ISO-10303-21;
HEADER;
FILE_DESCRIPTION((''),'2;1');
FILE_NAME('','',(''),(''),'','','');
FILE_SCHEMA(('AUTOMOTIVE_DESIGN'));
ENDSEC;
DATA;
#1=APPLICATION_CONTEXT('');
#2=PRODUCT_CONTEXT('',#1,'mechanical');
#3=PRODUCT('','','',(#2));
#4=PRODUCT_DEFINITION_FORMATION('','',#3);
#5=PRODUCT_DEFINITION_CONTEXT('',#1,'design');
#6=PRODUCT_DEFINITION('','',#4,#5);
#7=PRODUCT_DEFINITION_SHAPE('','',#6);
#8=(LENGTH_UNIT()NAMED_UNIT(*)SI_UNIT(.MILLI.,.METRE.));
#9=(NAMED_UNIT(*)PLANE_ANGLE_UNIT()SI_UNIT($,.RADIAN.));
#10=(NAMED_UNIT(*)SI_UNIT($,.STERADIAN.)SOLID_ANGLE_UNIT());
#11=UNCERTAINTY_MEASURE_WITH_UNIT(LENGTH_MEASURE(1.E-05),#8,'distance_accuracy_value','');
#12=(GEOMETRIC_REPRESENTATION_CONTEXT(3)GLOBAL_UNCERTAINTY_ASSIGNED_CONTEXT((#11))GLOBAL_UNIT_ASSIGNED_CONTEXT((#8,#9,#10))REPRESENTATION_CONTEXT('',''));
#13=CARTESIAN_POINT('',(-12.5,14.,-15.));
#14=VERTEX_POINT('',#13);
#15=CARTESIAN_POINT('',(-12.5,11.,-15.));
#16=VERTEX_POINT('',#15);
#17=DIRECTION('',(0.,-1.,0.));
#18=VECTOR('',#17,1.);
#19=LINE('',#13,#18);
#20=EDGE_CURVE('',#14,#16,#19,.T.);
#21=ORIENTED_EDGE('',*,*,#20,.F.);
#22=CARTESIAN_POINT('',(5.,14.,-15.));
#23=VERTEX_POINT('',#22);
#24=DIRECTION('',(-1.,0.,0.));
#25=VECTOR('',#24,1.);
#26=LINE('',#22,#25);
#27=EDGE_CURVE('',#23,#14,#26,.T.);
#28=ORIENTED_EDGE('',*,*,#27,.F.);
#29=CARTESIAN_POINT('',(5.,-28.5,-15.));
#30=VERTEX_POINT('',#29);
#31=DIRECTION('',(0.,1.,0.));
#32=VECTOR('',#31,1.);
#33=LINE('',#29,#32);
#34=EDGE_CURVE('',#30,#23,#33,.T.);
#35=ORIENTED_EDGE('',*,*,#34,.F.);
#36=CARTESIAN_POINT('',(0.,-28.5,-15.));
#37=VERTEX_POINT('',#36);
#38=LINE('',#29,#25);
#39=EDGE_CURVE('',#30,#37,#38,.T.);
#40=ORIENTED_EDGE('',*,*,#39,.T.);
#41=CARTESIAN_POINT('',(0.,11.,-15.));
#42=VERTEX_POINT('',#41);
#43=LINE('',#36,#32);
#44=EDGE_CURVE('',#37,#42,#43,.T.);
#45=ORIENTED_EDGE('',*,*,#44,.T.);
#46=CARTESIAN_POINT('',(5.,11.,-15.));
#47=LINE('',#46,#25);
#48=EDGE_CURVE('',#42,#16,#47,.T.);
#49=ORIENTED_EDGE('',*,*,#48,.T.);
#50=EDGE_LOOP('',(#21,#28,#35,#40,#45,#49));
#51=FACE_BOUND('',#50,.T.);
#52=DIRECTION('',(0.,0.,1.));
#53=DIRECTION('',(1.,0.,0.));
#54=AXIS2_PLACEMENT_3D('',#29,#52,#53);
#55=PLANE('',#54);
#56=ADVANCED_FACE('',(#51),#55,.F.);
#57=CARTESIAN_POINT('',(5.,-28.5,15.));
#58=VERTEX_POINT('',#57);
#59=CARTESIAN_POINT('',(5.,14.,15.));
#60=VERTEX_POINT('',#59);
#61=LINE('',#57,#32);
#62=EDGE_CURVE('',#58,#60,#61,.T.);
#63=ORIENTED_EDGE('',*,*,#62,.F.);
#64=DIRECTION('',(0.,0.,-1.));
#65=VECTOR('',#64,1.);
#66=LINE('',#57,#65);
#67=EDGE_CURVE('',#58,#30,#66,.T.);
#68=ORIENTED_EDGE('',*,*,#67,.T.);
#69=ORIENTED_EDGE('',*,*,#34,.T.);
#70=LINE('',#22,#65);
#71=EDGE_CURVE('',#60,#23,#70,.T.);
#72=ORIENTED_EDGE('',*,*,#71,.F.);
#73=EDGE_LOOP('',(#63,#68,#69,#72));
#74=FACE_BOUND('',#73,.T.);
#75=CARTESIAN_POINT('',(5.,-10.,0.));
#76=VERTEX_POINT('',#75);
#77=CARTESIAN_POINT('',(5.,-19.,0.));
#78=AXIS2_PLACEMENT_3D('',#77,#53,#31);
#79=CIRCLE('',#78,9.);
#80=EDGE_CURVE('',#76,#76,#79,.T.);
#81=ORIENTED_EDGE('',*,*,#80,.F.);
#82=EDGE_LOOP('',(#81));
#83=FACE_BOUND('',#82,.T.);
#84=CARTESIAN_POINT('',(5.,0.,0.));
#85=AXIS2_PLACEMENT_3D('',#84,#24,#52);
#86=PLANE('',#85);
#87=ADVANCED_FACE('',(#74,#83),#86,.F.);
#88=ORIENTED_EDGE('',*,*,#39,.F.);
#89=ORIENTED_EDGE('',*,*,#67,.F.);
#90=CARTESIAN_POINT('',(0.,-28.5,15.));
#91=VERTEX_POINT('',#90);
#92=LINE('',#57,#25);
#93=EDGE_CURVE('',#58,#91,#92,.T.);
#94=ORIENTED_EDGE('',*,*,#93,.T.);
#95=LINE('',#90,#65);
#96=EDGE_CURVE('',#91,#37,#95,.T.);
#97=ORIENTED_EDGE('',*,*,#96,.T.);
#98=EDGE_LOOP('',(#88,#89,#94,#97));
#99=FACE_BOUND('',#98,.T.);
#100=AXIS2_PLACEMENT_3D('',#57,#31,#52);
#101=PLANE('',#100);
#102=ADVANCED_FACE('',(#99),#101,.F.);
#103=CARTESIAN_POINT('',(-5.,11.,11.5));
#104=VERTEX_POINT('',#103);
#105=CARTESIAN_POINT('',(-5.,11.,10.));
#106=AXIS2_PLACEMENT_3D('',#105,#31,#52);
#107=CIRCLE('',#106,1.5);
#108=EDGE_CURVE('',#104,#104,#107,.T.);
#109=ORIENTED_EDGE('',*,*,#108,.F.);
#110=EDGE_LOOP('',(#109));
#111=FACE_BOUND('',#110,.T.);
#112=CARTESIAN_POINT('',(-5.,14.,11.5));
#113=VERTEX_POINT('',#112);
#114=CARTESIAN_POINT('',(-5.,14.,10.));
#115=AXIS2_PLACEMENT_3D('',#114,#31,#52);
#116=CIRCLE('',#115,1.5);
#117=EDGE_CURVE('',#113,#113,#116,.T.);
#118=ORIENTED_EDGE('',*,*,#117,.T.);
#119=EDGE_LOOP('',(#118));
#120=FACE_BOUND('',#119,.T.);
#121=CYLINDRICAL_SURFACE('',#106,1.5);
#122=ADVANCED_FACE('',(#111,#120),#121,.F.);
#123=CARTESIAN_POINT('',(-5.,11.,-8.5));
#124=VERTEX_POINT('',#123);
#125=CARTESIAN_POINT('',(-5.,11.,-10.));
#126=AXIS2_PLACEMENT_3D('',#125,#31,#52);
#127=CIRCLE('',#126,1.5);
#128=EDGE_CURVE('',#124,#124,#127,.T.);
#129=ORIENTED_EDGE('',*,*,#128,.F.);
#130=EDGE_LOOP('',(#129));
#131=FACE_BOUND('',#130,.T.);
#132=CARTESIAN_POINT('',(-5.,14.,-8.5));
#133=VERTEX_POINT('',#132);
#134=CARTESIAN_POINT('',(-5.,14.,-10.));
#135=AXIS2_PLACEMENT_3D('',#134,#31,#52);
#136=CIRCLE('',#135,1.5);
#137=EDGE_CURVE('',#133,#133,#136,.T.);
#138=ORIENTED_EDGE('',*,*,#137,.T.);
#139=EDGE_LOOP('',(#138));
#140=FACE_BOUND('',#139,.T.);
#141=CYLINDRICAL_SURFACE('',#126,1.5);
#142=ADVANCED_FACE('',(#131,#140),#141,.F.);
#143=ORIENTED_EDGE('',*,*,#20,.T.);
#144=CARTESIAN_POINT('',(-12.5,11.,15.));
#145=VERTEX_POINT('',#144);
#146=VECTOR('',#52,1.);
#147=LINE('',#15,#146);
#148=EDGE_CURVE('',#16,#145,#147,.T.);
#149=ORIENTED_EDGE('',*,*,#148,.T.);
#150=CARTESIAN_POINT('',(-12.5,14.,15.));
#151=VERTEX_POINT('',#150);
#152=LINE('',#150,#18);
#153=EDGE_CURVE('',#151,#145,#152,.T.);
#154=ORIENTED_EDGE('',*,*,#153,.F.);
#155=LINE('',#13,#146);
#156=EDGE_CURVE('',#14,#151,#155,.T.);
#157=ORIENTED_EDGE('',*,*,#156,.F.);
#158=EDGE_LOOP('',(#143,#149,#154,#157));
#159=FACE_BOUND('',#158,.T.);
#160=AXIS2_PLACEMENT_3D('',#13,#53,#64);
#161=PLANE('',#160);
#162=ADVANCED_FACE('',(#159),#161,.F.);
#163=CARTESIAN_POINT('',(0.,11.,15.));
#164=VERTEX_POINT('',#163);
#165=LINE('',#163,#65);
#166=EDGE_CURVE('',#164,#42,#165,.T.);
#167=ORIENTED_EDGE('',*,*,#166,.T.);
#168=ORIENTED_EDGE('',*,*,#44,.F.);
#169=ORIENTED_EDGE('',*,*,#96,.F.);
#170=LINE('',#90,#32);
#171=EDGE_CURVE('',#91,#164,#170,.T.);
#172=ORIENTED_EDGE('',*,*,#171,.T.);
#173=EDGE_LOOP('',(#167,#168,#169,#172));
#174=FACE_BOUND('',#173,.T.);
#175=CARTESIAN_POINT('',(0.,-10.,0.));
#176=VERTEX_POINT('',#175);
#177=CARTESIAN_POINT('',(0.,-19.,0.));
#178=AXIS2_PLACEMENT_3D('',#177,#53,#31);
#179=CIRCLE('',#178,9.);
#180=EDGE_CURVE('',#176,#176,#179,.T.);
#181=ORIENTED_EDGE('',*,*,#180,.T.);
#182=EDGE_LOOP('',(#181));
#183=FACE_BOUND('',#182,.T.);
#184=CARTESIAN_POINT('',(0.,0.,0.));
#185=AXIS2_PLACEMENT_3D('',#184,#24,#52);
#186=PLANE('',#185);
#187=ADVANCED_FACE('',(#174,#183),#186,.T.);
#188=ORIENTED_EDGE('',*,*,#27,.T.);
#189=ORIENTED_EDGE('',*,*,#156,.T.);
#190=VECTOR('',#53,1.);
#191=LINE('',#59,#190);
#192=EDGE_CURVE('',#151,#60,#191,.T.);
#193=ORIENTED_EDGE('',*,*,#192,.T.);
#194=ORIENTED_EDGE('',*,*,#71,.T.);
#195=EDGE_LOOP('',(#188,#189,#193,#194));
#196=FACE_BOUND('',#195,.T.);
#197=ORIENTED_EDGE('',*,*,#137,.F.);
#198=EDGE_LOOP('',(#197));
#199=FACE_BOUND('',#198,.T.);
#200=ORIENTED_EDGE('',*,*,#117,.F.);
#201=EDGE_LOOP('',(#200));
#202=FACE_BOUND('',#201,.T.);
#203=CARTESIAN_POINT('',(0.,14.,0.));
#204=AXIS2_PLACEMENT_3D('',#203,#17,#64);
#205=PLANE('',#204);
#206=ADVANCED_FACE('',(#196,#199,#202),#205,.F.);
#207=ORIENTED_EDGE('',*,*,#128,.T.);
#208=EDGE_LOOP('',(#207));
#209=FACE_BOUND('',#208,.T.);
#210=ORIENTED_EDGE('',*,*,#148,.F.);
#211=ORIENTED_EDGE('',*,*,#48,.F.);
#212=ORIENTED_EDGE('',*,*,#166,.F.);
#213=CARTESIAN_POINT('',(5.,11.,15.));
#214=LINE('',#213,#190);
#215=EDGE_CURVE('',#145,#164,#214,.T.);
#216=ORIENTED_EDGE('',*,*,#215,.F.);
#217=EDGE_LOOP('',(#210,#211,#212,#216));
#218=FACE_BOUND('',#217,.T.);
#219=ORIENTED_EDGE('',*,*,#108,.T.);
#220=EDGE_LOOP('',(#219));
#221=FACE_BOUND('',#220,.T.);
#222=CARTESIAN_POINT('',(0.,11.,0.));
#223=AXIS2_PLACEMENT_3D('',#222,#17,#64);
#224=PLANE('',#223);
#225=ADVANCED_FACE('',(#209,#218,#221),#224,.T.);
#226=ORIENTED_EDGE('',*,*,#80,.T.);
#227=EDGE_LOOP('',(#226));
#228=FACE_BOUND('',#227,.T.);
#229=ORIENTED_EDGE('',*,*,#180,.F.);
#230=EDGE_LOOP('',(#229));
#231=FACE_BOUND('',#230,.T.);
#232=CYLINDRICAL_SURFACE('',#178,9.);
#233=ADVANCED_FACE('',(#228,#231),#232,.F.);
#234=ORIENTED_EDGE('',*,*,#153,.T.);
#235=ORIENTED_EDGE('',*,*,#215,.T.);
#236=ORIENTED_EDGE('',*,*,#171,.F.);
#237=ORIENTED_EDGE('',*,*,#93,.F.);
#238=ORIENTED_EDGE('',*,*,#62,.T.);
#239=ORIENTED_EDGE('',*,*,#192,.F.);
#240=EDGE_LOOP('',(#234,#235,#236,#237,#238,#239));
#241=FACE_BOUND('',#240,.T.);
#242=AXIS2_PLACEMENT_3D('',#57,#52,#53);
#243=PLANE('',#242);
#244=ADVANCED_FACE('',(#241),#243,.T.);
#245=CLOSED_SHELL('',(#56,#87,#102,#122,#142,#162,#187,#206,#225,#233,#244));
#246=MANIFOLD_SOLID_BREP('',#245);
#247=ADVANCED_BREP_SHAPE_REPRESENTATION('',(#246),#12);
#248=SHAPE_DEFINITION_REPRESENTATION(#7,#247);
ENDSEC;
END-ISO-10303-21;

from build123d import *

# Parameters (mm, degrees)
SKETCH_1_W          = 30
SKETCH_1_H          = 39.5
EXTRUDE_1_DEPTH     = 5
SKETCH_2_R          = 9
CUT_EXTRUDE_1_DEPTH = 5
SKETCH_3_W          = 17.5
SKETCH_3_H          = 30
EXTRUDE_2_DEPTH     = 3
SKETCH_6_R          = 1.5
CUT_EXTRUDE_2_DEPTH = 3


with BuildPart() as part:
    # 草图1 → 凸台-拉伸1 (new body)
    with BuildSketch(Plane(origin=(0, 0, 0), x_dir=(0, 0, -1), z_dir=(1, 0, 0))):
        with Locations((0, -8.75)):
            Rectangle(SKETCH_1_W, SKETCH_1_H)
    extrude(amount=EXTRUDE_1_DEPTH)

    # 草图2 → 切除-拉伸1 (cut)
    with BuildSketch(Plane(origin=(5, 0, 0), x_dir=(0, 0, -1), z_dir=(1, 0, 0))):
        with Locations(Location((0, -19, 0), (0, 0, 90))):
            Circle(SKETCH_2_R)
    extrude(amount=-CUT_EXTRUDE_1_DEPTH, mode=Mode.SUBTRACT)

    # 草图3 → 凸台-拉伸2 (add)
    with BuildSketch(Plane(origin=(0, 11, 0), x_dir=(1, 0, 0), z_dir=(0, 1, 0))):
        with Locations((-3.75, 0)):
            Rectangle(SKETCH_3_W, SKETCH_3_H)
    extrude(amount=EXTRUDE_2_DEPTH)

    # 草图6 → 切除-拉伸2 (cut)
    with BuildSketch(Plane(origin=(0, 14, 0), x_dir=(1, 0, 0), z_dir=(0, 1, 0))):
        with Locations(Location((-5, 10, 0), (0, 0, 270))):
            Circle(SKETCH_6_R)
        with Locations(Location((-5, -10, 0), (0, 0, 270))):
            Circle(SKETCH_6_R)
    extrude(amount=-CUT_EXTRUDE_2_DEPTH, mode=Mode.SUBTRACT)


solid = part.part
